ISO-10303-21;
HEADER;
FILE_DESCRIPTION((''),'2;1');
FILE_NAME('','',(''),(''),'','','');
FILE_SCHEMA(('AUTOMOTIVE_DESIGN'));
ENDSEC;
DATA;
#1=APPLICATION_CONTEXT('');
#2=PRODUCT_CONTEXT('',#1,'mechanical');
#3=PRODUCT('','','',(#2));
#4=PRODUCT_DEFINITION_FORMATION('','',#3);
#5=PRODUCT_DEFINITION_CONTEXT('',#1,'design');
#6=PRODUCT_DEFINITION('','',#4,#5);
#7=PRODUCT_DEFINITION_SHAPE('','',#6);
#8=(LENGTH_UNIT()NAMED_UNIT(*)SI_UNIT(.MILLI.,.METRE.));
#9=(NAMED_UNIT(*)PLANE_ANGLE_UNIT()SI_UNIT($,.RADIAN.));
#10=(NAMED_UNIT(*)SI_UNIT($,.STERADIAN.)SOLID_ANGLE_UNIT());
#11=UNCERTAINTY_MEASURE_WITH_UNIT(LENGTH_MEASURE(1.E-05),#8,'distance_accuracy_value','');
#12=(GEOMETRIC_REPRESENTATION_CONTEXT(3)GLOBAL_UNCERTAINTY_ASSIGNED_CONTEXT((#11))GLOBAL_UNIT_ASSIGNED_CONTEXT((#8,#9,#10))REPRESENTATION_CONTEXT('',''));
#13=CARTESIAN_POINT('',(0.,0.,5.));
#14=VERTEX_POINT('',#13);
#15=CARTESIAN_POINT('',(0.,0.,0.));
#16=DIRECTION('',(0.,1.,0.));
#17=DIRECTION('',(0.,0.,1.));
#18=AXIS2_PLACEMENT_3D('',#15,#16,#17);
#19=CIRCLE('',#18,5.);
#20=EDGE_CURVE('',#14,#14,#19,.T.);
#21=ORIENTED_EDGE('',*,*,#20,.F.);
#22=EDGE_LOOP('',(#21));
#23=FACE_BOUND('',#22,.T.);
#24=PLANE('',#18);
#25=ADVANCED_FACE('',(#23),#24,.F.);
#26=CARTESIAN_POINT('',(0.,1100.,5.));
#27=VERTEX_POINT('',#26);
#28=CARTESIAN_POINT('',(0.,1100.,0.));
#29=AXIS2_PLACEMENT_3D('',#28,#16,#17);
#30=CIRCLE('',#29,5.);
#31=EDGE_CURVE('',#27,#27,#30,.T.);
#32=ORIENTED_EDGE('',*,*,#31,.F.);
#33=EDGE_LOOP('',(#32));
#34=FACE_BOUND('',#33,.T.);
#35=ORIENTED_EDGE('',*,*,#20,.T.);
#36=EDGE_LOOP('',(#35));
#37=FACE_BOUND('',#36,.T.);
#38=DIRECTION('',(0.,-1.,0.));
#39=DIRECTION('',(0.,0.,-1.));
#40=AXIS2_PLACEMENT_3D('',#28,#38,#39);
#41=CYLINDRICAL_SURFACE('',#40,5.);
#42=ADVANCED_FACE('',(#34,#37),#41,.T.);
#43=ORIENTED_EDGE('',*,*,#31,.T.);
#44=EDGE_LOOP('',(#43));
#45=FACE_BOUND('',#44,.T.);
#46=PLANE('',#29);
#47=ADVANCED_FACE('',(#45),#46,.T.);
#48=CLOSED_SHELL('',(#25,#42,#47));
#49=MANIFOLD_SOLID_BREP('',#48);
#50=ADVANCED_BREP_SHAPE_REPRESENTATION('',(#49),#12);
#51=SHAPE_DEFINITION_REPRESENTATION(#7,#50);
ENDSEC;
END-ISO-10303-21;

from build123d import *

# Parameters (mm, degrees)
SKETCH1_R           = 5
BOSS_EXTRUDE1_DEPTH = 1100


with BuildPart() as part:
    # Sketch1 → Boss-Extrude1 (new body)
    with BuildSketch(Plane(origin=(0, 0, 0), x_dir=(1, 0, 0), z_dir=(0, 1, 0))):
        with Locations(Location((0, 0, 0), (0, 0, 270))):
            Circle(SKETCH1_R)
    extrude(amount=BOSS_EXTRUDE1_DEPTH)


solid = part.part
